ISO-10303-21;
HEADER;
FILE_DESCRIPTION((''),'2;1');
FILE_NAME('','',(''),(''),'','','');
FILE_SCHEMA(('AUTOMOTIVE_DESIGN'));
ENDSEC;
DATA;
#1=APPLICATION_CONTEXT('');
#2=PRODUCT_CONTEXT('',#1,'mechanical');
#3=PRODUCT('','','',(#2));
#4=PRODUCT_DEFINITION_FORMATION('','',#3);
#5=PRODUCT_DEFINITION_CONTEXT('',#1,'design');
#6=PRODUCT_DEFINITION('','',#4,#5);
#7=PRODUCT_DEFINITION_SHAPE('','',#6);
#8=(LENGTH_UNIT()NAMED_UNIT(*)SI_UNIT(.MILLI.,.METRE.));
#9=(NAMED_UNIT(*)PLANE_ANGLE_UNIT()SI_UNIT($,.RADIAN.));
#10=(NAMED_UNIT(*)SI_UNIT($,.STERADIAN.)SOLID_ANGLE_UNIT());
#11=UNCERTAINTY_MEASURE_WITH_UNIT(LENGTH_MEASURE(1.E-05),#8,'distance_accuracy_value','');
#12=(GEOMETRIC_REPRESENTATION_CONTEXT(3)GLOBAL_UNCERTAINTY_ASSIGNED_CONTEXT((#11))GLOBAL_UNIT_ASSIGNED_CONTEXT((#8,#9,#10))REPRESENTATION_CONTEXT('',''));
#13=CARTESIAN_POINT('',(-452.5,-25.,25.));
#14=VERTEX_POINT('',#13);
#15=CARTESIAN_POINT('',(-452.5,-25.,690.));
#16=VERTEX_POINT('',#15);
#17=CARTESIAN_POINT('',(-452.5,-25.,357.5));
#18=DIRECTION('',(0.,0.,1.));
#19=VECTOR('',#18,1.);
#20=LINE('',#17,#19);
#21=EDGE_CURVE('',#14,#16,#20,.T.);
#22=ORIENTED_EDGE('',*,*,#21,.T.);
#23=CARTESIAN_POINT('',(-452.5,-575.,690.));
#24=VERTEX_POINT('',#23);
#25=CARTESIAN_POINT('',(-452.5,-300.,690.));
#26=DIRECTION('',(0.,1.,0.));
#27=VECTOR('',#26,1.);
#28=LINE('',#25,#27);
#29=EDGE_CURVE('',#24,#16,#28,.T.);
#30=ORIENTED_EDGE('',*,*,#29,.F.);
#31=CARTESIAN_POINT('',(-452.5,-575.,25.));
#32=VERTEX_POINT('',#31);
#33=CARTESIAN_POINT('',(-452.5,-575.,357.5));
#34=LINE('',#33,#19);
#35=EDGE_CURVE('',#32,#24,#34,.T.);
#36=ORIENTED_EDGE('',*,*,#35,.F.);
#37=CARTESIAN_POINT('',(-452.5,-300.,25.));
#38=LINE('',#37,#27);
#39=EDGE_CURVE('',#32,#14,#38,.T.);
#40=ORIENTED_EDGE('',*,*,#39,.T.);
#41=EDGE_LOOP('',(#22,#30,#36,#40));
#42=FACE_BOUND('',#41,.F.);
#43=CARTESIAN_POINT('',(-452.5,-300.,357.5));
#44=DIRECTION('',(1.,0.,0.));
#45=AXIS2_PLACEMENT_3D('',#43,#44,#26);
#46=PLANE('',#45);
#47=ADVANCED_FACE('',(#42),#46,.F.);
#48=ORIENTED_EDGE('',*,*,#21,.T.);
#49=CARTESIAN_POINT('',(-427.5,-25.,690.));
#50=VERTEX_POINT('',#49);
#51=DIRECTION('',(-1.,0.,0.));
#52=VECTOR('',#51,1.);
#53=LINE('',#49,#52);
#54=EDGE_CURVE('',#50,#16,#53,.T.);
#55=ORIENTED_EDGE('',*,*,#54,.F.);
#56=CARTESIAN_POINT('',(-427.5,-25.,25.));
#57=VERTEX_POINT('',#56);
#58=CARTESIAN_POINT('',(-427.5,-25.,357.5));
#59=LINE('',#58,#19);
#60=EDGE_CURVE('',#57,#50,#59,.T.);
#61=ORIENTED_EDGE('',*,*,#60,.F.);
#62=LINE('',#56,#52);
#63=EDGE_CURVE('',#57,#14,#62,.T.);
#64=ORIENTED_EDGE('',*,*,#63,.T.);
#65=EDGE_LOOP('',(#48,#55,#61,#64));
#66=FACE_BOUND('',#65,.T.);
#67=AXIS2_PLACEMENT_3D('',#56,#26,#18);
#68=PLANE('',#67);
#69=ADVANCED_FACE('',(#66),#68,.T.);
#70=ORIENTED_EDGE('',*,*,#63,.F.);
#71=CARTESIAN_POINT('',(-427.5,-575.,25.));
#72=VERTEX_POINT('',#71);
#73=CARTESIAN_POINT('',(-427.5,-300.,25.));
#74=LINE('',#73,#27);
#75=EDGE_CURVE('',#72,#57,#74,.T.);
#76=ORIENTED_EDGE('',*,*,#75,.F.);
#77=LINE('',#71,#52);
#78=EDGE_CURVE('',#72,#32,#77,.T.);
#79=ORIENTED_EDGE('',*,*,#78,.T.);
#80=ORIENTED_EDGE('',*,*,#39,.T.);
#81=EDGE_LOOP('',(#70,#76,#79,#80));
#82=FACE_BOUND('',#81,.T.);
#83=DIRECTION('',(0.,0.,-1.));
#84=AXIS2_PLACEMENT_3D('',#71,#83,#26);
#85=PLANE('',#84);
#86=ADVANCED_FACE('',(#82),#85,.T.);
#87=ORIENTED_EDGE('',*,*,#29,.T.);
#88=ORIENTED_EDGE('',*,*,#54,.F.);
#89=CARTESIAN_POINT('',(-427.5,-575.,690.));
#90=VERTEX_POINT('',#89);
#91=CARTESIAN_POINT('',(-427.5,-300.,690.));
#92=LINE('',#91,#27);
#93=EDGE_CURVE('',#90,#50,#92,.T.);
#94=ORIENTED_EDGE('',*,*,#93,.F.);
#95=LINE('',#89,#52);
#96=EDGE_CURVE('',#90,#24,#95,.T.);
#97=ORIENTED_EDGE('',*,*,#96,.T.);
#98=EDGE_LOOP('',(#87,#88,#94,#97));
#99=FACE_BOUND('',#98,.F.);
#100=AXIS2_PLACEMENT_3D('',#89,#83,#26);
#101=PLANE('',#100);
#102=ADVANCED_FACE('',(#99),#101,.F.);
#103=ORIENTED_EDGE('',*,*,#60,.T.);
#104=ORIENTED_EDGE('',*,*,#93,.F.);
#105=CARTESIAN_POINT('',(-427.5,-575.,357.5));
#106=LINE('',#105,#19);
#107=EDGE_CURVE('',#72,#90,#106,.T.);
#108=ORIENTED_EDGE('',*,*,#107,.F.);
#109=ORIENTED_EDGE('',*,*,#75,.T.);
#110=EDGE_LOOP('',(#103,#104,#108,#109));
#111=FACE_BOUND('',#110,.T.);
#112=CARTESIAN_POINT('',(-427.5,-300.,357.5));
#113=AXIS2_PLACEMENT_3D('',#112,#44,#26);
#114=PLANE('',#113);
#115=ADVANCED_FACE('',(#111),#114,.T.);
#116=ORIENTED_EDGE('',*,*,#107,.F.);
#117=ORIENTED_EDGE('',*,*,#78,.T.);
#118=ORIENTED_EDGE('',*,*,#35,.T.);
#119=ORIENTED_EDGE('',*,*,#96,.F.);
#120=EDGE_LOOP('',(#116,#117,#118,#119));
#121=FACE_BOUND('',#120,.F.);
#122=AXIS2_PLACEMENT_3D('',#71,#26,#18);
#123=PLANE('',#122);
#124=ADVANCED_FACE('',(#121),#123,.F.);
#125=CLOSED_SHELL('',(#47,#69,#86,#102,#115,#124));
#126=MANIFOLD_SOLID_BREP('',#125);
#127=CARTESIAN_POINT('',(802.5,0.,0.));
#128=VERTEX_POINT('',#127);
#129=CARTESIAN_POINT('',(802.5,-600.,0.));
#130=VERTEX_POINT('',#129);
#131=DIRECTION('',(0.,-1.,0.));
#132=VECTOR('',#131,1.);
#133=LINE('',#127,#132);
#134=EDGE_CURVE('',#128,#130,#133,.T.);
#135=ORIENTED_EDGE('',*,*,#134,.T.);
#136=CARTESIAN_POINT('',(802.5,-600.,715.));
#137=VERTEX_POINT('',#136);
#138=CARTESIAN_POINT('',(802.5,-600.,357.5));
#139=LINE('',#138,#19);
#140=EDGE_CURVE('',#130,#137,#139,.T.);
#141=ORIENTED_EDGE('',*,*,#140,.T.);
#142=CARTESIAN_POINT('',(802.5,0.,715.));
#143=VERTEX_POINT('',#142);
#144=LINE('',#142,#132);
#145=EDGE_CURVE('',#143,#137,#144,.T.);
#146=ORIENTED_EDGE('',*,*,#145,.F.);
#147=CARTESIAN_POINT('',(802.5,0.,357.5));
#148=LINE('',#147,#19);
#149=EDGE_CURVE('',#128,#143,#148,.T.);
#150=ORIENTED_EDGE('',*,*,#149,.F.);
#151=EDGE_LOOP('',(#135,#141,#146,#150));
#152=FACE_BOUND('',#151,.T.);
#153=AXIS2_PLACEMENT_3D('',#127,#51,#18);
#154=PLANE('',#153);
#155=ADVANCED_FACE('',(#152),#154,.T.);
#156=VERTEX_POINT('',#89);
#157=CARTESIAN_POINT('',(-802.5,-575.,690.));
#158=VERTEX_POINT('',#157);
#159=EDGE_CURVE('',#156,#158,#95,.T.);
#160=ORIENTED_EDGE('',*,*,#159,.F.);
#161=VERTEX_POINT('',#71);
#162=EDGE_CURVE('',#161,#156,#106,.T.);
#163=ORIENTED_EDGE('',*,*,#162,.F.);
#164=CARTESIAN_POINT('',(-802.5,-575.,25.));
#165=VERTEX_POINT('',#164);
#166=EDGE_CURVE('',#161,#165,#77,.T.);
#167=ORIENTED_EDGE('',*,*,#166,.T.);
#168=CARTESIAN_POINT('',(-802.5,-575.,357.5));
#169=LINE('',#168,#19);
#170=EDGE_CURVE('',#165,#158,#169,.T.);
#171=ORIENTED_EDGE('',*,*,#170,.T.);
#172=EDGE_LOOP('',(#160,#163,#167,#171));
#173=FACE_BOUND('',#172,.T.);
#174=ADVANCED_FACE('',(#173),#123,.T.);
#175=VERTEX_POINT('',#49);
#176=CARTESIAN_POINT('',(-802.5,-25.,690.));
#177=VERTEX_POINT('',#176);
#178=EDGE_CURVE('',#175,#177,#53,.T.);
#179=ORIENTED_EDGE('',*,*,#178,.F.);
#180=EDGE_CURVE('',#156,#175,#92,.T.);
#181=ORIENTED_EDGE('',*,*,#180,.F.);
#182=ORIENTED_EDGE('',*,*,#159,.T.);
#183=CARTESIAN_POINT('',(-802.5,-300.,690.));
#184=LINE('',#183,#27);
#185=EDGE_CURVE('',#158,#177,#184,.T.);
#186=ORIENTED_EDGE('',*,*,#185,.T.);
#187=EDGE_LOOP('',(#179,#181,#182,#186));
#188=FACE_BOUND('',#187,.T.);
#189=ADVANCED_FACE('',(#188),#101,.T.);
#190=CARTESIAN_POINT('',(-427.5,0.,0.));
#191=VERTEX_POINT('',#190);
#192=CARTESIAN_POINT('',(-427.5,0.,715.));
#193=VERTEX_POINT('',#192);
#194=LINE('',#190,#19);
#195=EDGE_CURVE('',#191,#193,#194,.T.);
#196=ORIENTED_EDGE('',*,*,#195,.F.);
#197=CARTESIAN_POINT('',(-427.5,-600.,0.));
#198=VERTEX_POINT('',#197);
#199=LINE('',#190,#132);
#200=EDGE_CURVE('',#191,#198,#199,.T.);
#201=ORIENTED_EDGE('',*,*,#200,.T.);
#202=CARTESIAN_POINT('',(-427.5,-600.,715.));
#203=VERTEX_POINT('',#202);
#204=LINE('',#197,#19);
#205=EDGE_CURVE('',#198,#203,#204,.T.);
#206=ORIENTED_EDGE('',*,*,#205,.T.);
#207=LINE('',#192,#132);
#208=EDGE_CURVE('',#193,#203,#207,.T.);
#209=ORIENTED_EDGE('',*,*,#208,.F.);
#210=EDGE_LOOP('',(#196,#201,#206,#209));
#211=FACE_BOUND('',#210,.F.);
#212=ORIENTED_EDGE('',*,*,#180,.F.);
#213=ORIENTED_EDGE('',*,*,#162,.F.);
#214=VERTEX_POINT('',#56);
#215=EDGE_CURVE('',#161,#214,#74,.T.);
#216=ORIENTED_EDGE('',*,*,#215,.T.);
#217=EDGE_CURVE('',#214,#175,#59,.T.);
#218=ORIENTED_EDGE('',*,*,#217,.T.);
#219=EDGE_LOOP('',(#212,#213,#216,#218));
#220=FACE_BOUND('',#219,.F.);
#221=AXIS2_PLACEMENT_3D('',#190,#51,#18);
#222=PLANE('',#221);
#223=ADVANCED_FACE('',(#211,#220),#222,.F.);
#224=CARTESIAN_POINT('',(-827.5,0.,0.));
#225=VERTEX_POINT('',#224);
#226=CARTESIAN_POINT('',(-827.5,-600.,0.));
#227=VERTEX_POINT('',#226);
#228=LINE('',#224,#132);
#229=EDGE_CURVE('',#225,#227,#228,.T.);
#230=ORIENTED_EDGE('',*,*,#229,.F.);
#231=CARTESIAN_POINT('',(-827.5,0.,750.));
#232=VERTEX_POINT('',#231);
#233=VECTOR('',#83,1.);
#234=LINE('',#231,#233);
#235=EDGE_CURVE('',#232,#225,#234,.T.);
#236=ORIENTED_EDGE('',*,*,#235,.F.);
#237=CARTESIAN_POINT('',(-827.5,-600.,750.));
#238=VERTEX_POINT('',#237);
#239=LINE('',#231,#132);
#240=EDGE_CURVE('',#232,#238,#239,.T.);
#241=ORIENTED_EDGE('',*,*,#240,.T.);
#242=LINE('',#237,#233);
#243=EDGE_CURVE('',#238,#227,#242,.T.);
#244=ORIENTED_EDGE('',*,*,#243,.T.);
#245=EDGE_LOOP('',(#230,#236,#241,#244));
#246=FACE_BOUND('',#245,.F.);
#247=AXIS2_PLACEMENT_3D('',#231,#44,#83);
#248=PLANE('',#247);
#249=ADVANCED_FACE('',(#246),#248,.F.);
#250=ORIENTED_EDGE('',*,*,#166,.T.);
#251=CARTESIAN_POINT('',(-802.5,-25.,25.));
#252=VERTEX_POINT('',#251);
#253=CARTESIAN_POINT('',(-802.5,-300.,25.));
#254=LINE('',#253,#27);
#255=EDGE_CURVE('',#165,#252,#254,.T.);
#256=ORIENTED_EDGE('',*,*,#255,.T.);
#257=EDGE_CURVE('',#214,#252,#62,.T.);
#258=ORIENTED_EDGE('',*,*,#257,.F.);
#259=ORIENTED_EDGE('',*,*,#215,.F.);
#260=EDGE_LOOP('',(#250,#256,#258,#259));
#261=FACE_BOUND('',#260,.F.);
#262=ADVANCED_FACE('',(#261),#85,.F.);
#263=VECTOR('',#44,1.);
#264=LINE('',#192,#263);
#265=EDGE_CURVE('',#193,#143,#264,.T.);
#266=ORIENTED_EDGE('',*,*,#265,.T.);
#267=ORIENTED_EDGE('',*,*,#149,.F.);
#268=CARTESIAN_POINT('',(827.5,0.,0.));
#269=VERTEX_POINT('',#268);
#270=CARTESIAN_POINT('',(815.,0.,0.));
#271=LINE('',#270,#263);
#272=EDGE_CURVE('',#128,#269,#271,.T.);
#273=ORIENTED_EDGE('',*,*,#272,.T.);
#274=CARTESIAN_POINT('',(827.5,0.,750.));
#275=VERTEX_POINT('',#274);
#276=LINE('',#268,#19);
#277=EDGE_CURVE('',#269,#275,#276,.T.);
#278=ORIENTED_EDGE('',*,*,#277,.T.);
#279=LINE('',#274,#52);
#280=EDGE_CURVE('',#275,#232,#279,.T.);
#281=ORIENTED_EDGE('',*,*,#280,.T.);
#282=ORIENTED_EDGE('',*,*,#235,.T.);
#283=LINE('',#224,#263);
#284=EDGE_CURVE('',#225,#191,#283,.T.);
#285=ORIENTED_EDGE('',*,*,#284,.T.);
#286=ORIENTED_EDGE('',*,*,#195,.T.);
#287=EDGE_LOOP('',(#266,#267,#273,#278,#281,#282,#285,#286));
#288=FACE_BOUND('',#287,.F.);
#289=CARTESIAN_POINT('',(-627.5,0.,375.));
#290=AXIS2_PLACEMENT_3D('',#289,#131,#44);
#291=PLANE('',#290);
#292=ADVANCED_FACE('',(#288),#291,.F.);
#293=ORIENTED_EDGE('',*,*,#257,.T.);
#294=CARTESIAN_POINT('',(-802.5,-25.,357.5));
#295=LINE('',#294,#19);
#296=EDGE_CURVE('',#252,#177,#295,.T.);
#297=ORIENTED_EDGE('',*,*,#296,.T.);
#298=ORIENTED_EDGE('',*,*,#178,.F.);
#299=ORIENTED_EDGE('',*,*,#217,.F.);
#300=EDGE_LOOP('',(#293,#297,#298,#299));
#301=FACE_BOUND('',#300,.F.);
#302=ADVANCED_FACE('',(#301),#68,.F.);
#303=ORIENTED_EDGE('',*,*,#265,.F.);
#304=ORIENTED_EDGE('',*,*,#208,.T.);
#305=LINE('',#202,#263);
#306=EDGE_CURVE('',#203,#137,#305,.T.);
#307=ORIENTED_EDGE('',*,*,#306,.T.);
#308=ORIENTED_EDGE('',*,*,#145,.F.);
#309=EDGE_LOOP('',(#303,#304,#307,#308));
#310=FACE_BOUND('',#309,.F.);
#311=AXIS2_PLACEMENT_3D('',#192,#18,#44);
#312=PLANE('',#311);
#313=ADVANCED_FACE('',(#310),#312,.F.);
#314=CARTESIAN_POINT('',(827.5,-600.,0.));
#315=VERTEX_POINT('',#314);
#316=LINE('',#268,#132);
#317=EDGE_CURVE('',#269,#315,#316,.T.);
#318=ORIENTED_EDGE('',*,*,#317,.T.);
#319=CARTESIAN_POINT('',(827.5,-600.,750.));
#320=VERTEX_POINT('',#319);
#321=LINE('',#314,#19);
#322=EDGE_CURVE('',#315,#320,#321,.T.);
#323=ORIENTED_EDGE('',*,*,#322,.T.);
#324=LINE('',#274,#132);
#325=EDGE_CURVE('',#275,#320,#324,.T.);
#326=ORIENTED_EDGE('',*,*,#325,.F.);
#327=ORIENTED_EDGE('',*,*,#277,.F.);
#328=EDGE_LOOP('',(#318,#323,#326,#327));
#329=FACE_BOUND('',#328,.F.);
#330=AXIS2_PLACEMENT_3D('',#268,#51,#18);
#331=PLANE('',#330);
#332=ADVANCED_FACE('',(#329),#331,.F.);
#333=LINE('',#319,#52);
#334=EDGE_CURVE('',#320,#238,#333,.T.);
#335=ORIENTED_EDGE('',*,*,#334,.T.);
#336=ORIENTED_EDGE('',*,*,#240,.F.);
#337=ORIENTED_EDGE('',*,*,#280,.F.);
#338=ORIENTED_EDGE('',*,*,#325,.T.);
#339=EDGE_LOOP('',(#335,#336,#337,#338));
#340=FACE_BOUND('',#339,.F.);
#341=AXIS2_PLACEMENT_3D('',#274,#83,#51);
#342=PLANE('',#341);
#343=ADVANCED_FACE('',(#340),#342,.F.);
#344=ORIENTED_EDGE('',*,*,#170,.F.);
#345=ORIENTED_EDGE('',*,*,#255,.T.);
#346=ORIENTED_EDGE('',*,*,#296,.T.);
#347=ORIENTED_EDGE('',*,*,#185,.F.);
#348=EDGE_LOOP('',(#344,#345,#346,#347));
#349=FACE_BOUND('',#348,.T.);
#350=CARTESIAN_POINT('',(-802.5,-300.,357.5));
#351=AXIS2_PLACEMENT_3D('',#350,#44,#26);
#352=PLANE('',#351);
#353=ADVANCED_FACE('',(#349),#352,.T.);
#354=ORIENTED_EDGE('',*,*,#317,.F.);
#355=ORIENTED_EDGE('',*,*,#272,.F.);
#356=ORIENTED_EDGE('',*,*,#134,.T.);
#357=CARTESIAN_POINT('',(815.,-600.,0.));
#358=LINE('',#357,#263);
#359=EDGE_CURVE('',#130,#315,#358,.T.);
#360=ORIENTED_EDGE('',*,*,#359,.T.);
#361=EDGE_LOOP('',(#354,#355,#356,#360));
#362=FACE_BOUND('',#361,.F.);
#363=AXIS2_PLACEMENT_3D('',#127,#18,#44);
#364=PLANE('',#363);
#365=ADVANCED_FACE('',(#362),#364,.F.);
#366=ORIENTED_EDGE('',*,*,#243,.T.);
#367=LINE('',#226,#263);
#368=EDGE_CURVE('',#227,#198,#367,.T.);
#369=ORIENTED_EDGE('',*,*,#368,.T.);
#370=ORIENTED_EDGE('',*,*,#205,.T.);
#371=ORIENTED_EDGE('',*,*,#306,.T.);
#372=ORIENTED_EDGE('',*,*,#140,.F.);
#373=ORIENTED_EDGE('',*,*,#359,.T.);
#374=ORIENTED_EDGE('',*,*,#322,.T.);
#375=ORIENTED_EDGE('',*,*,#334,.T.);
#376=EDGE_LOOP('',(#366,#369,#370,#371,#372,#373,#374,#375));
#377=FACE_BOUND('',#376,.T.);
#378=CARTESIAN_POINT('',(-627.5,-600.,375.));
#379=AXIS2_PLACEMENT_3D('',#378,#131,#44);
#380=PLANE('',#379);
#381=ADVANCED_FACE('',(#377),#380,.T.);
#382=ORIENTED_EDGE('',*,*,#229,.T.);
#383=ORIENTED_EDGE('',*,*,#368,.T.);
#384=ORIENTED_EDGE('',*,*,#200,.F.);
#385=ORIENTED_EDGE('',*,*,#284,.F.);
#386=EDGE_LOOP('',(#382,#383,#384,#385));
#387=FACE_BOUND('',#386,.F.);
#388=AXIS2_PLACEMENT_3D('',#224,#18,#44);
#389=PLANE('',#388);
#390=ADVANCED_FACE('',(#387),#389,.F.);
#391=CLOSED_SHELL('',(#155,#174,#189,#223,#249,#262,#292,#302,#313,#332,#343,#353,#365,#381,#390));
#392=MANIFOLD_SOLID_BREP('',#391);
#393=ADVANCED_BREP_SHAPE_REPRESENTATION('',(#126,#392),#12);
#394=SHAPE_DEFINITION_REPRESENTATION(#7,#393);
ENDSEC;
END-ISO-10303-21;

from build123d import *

# Parameters (mm, degrees)
F0_W     = 25
F0_H     = 715
F1_DEPTH = 600
F2_W     = 550
F2_H     = 665
F3_DEPTH = 375
F4_DEPTH = 25


with BuildPart() as f1:
    # F0 (on Front) → F1 (new body)
    with BuildSketch(Plane.XZ):
        Polygon((-827.5, 750), (-827.5, 0), (-427.5, 0), (-427.5, 715), (-427.5, 750), align=None)
        Polygon((-427.5, 750), (-427.5, 715), (802.5, 715), (827.5, 715), (827.5, 750), align=None)
        with Locations((815, 357.5)):
            Rectangle(F0_W, F0_H)
    extrude(amount=F1_DEPTH)

    # F2 (on face) → F3 (cut, through all)
    with BuildSketch(Plane.YZ.offset(-427.5)):
        with Locations((-300, 357.5)):
            Rectangle(F2_W, F2_H)
    extrude(amount=-F3_DEPTH, mode=Mode.SUBTRACT)


with BuildPart() as f4:
    # F2 (on face) → F4 (new body)
    with BuildSketch(Plane.YZ.offset(-427.5)):
        with Locations((-300, 357.5)):
            Rectangle(F2_W, F2_H)
    extrude(amount=-F4_DEPTH)


solid = Compound([f1.part, f4.part])
